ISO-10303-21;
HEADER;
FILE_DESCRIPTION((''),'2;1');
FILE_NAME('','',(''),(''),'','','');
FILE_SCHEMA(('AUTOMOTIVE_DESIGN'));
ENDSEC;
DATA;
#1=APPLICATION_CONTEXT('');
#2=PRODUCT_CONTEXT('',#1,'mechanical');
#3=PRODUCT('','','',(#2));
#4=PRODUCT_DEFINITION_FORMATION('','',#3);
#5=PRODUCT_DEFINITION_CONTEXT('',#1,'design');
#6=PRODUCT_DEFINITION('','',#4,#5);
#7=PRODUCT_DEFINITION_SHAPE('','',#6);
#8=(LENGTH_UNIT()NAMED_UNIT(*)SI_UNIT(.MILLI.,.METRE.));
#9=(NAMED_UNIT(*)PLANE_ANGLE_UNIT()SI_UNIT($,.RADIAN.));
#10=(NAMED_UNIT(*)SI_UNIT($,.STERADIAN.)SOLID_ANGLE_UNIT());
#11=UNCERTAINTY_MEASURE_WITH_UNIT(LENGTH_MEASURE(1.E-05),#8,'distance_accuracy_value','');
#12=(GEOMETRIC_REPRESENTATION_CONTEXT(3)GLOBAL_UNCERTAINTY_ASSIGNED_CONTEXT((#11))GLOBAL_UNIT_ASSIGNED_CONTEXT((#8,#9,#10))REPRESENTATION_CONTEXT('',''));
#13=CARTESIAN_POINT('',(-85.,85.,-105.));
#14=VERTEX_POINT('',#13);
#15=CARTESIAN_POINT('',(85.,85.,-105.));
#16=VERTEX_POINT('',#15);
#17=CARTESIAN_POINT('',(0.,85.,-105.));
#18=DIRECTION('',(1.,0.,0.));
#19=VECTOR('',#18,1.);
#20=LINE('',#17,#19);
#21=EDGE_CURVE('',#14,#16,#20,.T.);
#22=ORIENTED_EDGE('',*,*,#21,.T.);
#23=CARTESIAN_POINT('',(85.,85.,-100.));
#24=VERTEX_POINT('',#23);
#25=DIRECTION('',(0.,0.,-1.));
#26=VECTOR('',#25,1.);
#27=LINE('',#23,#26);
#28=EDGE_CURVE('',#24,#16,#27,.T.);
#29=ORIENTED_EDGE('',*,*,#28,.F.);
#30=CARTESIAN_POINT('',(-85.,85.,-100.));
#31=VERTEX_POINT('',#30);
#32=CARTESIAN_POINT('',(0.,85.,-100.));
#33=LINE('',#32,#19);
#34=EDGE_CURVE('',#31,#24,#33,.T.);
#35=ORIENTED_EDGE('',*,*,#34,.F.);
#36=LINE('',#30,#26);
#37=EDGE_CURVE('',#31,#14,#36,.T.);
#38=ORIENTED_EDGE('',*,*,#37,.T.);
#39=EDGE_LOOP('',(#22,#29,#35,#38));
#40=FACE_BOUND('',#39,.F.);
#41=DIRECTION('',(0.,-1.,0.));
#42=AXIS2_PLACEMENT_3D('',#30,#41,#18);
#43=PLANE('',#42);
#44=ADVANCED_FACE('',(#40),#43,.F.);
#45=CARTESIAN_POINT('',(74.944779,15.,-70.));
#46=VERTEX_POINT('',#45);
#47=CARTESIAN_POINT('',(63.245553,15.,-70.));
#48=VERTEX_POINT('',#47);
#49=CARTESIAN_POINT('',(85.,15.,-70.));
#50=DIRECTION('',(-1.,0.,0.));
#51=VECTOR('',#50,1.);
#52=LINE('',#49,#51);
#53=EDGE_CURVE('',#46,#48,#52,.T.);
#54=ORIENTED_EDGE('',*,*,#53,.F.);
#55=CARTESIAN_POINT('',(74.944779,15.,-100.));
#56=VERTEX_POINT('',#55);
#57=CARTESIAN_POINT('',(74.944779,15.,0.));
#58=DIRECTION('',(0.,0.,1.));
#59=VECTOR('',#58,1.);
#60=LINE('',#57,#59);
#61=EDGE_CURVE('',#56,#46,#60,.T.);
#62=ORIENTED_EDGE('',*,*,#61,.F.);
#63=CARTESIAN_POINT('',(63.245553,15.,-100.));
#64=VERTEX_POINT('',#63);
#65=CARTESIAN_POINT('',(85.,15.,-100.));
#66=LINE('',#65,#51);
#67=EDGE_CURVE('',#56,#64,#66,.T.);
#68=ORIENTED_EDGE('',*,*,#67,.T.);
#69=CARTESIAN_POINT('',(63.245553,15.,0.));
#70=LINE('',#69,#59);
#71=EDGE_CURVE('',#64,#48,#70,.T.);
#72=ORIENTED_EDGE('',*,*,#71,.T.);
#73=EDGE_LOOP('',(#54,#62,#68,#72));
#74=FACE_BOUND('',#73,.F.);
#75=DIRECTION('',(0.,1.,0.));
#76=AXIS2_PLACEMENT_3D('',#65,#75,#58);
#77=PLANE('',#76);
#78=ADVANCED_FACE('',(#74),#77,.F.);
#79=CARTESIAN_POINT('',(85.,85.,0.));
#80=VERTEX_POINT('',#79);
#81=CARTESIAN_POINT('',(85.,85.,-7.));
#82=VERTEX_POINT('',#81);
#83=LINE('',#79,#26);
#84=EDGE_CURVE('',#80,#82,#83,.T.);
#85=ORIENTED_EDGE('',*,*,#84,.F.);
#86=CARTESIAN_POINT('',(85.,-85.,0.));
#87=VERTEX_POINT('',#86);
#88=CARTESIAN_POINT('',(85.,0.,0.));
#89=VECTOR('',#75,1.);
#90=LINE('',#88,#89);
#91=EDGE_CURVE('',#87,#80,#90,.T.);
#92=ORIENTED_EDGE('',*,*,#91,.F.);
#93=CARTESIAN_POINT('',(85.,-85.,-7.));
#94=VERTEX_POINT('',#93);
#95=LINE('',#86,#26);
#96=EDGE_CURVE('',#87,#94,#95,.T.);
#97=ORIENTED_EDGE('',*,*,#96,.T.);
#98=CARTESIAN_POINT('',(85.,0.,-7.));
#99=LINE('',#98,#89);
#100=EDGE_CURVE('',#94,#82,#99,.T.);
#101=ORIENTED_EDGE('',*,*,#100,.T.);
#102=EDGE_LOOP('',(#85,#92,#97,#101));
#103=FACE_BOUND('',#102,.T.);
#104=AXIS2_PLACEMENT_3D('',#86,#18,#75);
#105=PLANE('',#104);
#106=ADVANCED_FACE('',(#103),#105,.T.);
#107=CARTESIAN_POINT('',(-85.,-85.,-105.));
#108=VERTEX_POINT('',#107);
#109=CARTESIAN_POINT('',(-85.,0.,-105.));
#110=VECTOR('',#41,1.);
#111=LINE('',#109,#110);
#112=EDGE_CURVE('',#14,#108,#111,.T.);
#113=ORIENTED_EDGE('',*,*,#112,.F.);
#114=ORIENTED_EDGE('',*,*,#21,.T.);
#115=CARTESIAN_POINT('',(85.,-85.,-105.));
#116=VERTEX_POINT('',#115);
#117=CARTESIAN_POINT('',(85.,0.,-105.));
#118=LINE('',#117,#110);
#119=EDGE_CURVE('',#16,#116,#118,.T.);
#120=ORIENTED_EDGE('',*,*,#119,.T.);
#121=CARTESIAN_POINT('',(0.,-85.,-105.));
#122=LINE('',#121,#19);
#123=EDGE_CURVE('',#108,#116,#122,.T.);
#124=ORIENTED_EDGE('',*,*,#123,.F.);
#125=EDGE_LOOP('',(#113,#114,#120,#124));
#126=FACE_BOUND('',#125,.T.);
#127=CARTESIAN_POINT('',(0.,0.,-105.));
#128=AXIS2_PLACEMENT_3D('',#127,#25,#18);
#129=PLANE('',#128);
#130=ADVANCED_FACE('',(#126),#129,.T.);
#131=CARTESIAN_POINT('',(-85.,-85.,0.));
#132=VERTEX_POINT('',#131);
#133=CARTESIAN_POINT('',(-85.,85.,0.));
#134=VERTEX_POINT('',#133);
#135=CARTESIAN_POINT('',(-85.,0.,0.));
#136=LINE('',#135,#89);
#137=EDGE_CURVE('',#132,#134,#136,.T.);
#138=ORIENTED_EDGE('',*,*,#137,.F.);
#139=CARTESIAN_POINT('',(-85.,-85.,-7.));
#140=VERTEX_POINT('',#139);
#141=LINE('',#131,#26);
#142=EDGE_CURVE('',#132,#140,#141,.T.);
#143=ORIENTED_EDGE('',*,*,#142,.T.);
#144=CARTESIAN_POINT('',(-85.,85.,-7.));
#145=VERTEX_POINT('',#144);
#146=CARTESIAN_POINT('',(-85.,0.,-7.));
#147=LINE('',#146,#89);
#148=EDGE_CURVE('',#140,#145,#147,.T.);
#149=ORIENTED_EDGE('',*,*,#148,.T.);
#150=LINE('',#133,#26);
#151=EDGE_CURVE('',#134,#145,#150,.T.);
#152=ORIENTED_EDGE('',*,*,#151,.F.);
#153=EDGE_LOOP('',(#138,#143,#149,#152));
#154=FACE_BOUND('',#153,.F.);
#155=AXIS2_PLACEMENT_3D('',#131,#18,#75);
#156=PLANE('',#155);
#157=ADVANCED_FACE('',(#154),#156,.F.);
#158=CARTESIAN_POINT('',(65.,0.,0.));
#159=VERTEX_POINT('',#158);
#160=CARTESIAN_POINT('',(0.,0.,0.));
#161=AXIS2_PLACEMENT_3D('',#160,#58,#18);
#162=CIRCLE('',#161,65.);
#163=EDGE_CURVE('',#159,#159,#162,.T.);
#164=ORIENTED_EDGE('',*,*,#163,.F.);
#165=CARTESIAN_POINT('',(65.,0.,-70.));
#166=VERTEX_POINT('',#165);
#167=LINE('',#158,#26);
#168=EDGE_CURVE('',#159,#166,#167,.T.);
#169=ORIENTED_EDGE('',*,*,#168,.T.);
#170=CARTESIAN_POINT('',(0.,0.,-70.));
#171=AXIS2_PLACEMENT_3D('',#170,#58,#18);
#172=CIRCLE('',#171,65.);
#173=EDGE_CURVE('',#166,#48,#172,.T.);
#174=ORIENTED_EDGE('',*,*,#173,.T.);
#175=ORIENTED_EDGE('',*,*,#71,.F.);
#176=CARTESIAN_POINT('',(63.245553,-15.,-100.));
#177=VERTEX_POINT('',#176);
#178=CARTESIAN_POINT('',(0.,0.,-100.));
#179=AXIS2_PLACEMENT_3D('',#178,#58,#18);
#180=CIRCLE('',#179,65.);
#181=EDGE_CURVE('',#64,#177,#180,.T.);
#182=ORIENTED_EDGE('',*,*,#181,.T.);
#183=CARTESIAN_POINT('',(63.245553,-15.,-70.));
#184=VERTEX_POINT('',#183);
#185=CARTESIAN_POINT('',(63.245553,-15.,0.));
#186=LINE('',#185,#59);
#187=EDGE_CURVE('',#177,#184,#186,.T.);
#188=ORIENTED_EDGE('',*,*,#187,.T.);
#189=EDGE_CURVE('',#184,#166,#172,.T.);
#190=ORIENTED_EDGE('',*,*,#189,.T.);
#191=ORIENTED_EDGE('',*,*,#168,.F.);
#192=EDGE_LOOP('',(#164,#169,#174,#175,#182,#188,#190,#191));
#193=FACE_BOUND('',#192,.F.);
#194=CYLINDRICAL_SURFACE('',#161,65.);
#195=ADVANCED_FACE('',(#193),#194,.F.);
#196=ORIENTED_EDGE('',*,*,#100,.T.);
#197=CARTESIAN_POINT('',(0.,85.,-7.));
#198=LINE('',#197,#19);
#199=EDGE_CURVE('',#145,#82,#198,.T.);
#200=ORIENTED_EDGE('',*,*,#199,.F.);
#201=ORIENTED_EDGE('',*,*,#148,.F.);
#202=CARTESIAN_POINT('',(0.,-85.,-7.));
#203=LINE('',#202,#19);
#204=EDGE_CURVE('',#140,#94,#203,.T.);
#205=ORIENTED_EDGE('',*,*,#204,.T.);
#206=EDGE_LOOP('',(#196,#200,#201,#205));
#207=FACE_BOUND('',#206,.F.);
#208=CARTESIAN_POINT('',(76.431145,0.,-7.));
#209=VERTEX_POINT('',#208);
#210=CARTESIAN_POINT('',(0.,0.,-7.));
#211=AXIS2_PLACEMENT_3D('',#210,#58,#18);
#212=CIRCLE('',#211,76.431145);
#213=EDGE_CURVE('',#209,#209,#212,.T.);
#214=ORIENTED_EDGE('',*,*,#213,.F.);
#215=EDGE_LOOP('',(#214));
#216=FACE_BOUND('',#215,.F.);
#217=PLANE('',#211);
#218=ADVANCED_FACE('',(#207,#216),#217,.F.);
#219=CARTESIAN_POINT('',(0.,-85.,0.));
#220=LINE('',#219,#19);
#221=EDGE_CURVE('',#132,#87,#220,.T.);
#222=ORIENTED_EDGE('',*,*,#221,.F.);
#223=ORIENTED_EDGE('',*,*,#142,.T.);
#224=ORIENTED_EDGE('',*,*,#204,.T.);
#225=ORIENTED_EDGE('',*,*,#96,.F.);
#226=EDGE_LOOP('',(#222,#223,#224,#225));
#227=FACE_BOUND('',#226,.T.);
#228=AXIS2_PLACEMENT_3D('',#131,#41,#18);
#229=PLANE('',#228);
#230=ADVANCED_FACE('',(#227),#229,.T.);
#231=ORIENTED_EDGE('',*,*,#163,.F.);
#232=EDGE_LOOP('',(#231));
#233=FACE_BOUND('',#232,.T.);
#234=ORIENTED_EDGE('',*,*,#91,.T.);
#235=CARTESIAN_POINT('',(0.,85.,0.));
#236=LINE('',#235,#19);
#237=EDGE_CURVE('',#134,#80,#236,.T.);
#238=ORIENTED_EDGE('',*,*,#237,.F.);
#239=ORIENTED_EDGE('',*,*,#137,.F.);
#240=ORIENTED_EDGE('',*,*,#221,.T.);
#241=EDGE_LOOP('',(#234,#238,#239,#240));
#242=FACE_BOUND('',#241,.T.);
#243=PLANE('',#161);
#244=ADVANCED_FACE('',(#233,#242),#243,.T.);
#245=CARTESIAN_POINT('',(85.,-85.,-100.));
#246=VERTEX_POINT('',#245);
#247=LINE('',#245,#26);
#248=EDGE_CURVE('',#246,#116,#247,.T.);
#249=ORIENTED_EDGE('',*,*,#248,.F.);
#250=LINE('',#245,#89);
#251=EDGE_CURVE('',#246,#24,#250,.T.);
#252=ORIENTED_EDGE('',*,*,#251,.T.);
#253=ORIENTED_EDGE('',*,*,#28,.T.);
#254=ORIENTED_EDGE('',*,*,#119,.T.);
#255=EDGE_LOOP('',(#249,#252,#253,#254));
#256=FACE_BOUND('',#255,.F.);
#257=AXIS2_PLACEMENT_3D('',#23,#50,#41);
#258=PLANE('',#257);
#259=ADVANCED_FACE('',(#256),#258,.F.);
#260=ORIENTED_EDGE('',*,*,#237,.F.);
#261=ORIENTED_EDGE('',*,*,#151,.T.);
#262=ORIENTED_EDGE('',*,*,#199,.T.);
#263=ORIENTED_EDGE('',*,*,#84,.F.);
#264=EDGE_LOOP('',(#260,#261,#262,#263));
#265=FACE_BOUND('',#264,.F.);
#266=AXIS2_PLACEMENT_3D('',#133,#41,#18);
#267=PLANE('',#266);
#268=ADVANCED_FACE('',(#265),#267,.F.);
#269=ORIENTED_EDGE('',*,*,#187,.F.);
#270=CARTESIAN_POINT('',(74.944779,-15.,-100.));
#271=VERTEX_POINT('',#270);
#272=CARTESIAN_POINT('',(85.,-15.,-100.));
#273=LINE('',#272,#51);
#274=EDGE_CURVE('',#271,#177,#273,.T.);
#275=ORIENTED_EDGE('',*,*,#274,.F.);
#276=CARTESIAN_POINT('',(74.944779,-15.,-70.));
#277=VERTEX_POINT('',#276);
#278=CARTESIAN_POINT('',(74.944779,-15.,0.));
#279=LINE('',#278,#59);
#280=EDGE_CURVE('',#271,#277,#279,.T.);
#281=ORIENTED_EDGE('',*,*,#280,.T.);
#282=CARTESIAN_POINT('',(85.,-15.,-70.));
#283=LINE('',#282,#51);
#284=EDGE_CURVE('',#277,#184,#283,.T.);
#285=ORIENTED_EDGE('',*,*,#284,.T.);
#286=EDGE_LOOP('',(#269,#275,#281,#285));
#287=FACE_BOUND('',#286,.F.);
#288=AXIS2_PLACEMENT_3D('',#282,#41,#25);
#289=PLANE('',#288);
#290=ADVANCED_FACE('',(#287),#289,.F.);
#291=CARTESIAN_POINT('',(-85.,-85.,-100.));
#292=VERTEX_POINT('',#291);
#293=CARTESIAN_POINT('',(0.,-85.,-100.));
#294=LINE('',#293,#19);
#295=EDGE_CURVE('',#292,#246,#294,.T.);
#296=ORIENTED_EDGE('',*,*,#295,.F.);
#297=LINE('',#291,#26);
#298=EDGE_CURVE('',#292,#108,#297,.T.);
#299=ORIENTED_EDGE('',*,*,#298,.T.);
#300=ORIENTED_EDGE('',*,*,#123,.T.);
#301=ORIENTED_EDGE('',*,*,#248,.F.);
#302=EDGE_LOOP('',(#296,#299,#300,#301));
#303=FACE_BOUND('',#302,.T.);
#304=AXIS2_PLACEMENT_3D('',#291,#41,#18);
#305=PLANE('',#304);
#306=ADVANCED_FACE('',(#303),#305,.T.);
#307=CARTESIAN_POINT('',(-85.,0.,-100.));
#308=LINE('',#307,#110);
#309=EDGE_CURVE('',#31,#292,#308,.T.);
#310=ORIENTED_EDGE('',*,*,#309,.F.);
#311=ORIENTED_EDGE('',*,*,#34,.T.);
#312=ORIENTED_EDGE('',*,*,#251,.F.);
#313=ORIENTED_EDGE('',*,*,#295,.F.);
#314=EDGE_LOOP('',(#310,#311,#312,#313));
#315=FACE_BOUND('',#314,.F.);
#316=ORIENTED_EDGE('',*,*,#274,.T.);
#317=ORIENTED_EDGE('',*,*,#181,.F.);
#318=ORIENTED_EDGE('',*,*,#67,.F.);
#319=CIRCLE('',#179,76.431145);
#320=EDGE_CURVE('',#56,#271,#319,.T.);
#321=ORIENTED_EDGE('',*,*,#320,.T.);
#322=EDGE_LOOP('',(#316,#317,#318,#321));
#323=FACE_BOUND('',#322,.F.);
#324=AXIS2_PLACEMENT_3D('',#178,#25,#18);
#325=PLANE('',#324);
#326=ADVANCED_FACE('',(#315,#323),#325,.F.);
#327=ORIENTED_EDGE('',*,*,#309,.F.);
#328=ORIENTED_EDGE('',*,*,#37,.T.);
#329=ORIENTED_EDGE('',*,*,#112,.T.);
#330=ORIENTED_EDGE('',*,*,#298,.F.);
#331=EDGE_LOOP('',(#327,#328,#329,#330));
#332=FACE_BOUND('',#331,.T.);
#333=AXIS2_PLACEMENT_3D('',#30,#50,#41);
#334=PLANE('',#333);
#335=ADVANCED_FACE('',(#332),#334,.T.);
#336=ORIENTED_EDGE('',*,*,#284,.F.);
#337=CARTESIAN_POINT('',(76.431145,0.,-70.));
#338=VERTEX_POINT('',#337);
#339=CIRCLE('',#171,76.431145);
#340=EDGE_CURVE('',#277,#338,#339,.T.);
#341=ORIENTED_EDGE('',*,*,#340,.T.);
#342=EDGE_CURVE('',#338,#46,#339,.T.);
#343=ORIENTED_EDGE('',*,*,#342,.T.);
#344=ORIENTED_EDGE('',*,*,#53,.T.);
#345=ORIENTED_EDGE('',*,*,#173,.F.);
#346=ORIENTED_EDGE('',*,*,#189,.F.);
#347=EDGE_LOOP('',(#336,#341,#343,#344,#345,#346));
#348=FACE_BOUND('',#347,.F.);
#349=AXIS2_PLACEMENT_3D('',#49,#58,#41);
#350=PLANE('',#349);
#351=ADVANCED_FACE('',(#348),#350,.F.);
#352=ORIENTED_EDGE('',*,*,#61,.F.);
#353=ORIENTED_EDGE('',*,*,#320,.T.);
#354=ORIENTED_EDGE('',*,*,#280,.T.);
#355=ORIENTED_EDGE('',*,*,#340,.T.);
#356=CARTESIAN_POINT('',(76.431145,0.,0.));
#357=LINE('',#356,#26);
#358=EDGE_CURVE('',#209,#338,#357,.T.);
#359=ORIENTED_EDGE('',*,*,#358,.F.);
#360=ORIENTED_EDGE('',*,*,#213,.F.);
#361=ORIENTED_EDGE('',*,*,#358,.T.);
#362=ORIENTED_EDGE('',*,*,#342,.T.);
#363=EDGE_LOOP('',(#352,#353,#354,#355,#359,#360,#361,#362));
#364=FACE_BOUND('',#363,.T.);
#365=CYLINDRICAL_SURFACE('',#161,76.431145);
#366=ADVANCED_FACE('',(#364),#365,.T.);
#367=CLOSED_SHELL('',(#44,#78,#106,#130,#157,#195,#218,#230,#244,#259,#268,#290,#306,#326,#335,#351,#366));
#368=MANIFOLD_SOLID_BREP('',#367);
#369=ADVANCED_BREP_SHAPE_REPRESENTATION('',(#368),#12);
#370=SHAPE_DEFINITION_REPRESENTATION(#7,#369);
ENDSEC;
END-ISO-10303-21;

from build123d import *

# Parameters (mm, degrees)
F0_R     = 76.4311452349
F0_R_2   = 65
F1_DEPTH = 100
F0_W     = 170
F0_H     = 170
F2_DEPTH = 7
F3_W     = 170
F3_H     = 170
F4_DEPTH = 5
F6_DEPTH = 22.7544467966


with BuildPart() as f1:
    # F0 (on Top) → F1 (new body)
    with BuildSketch(Plane.XY):
        Circle(F0_R)
        Circle(F0_R_2, mode=Mode.SUBTRACT)
    extrude(amount=-F1_DEPTH)

    # F0 (on Top) → F2 (join)
    with BuildSketch(Plane.XY):
        Rectangle(F0_W, F0_H)
        Circle(F0_R, mode=Mode.SUBTRACT)
    extrude(amount=-F2_DEPTH)

    # F3 (on face) → F4 (join)
    with BuildSketch(Plane(origin=(0, 0, -100), x_dir=(1, 0, 0), z_dir=(0, 0, -1))):
        Rectangle(F3_W, F3_H)
    extrude(amount=F4_DEPTH)

    # F5 (on face) → F6 (cut, up to face)
    with BuildSketch(Plane.YZ.offset(85)):
        Polygon((-15, -100), (15, -100), (15, -70), (0, -70), (-15, -70), align=None)
    extrude(amount=-F6_DEPTH, mode=Mode.SUBTRACT)


solid = f1.part
